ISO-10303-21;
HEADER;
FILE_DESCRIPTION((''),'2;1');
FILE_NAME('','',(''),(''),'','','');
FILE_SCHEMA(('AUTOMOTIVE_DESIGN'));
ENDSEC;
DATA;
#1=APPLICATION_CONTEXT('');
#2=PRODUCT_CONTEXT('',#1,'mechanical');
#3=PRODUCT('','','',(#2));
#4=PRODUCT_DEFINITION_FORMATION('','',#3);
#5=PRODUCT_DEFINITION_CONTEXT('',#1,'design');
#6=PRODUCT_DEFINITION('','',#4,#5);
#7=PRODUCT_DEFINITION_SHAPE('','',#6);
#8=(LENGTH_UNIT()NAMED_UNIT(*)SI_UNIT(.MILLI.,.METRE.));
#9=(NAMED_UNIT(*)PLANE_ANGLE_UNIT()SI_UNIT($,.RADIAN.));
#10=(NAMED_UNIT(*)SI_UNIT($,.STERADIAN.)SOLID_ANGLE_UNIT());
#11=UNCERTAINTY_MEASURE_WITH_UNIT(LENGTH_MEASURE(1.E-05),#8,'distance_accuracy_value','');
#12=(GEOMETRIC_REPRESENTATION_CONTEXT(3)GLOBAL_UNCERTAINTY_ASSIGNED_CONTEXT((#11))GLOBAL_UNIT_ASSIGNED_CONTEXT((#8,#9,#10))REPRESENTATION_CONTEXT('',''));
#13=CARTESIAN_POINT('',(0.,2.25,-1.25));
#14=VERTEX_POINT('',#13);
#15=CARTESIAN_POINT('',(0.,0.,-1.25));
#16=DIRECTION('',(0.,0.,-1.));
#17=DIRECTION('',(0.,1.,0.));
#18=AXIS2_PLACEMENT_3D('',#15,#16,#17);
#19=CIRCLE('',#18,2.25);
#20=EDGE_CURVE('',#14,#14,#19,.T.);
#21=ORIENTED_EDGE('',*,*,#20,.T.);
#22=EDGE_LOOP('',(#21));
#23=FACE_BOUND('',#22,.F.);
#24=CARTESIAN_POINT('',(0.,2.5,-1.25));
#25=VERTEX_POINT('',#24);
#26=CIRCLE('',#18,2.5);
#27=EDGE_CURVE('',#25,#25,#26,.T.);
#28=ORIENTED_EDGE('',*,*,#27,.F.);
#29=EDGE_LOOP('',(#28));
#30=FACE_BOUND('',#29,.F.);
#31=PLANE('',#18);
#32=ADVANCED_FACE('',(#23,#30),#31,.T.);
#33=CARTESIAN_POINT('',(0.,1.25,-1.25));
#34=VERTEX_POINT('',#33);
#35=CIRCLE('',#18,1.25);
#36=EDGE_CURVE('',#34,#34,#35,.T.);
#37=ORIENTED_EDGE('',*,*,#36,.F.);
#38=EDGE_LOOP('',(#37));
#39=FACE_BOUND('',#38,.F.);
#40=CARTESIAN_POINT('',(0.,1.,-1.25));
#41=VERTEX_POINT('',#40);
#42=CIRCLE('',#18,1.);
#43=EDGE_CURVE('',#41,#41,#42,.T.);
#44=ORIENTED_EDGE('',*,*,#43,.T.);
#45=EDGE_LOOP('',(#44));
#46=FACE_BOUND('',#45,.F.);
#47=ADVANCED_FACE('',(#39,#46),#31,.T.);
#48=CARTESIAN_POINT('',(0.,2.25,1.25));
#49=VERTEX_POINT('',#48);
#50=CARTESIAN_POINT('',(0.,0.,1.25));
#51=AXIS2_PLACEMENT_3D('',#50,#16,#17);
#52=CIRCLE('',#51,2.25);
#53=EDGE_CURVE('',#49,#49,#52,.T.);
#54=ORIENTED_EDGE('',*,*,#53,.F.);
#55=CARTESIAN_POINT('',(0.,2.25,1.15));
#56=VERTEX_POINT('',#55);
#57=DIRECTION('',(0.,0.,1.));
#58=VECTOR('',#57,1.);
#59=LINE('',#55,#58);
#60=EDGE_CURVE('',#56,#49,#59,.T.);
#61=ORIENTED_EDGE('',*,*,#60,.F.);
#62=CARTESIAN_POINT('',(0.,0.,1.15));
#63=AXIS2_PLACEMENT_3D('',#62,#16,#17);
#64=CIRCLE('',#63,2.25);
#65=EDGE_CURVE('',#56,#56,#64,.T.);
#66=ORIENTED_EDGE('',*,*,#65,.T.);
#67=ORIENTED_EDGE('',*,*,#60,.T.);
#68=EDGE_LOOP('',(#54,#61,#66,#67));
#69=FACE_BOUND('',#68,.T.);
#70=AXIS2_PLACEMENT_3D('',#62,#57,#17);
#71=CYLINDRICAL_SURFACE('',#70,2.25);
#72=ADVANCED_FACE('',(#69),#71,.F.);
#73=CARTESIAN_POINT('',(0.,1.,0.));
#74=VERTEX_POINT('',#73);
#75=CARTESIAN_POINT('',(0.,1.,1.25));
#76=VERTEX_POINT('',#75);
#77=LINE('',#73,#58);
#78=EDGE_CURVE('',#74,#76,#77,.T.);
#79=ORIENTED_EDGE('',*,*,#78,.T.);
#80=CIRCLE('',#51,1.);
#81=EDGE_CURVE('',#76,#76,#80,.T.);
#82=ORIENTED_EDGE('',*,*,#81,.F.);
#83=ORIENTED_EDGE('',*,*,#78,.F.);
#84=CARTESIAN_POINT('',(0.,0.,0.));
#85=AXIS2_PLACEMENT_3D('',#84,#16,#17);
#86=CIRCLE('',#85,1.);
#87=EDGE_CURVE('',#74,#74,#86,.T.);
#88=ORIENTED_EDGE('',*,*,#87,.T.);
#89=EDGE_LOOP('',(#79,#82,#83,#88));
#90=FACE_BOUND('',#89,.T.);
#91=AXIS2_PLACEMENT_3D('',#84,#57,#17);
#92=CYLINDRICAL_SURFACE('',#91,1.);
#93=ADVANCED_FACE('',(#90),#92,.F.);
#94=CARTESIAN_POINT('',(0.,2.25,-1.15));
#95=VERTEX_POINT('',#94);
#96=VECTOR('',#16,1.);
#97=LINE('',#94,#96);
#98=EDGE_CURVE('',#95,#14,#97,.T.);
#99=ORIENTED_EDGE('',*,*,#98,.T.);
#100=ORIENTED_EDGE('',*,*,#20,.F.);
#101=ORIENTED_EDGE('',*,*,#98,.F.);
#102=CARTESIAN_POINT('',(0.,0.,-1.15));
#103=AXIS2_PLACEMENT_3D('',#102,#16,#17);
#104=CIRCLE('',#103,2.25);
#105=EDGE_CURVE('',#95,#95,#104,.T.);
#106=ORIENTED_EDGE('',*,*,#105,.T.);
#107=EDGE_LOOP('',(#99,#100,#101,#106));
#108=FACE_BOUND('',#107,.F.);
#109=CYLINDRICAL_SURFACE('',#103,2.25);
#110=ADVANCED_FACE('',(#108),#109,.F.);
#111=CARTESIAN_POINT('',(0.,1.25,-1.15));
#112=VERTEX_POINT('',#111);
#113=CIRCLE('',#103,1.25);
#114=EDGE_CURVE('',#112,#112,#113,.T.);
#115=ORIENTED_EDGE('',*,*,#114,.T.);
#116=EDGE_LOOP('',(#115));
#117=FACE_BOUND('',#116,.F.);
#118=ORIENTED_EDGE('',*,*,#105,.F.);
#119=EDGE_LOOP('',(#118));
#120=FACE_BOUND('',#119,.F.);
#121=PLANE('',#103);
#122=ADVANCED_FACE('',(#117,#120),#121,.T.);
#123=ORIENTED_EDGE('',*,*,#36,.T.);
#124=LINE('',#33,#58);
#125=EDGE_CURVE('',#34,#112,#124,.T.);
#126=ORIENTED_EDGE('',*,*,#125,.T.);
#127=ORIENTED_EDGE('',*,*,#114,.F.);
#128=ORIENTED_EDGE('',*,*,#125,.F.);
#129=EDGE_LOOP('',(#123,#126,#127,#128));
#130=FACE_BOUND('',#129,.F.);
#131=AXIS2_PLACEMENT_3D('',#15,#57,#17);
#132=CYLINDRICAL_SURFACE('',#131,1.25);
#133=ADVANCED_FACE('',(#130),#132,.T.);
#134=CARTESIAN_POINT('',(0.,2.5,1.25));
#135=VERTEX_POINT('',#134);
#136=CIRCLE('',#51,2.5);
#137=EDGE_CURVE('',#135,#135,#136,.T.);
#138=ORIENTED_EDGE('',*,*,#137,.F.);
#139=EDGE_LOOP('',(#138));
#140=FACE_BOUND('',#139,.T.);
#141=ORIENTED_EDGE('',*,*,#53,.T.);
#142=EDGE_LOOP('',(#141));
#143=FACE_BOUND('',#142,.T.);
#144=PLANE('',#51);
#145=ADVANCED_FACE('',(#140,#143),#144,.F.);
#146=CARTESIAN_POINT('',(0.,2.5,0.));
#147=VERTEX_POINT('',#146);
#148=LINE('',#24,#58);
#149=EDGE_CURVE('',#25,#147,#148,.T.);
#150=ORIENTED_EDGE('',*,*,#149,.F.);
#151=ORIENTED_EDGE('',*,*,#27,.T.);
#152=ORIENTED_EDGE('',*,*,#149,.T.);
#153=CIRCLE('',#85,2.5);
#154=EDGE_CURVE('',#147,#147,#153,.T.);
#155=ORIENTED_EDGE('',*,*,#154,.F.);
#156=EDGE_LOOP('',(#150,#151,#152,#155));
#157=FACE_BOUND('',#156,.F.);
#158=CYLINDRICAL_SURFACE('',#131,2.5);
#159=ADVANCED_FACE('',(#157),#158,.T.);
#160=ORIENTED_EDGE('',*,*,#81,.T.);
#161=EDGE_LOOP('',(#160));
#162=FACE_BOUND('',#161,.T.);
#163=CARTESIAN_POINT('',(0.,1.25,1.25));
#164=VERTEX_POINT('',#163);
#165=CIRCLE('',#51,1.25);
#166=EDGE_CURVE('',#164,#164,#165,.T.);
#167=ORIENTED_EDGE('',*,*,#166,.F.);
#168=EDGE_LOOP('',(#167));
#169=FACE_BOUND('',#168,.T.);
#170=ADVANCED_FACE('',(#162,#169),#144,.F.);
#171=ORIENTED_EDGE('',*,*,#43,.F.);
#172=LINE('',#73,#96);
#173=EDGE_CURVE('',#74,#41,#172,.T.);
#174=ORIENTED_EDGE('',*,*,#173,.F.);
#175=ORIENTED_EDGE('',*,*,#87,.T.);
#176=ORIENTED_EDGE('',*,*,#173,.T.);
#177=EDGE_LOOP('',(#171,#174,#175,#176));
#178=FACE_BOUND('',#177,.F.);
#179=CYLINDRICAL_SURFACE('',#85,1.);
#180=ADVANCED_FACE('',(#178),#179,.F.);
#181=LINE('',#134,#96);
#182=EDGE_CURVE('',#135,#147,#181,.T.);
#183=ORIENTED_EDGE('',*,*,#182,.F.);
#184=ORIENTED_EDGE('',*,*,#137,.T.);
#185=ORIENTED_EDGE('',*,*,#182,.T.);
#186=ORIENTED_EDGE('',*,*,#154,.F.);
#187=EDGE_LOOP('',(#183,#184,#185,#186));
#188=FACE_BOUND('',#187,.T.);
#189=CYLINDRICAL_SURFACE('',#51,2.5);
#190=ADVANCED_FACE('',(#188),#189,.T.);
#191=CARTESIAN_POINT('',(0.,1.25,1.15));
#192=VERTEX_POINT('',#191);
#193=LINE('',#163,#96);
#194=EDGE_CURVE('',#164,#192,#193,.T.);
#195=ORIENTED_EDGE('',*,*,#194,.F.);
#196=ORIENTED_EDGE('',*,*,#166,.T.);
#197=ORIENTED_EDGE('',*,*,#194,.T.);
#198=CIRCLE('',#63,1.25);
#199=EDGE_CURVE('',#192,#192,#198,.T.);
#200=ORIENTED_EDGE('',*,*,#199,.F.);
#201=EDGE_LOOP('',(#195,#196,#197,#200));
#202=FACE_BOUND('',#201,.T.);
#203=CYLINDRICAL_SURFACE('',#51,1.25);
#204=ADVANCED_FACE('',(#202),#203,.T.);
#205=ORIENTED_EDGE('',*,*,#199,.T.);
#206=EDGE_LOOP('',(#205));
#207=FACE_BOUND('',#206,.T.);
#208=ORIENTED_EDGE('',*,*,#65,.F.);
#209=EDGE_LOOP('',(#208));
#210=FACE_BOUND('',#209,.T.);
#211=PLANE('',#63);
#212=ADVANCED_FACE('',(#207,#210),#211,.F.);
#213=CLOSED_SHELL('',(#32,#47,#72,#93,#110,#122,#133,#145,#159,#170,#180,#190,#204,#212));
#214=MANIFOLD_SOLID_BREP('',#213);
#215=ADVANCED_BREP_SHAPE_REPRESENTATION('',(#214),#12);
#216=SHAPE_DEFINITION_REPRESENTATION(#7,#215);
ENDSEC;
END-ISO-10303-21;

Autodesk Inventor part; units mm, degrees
ref_plane "YZ Plane" through (0, 0, 0) normal (1, 0, 0) x (0, 1, 0)
ref_plane "XZ Plane" through (0, 0, 0) normal (0, 1, 0) x (-1, 0, 0)
ref_plane "XY Plane" through (0, 0, 0) normal (0, 0, 1) x (1, 0, 0)
sketch "Sketch1" plane through (0, 0, 0) normal (1, 0, 0) x (0, 1, 0)
  line L0 (0, 0) -> (0, -2.1848) construction
  line L1 (0, 0) -> (1, 0) construction
  line L2 (1, 0) -> (1, -1.25)
  line L3 (1, -1.25) -> (1.25, -1.25)
  line L4 (1.25, -1.25) -> (1.25, -1.15)
  line L5 (1.25, -1.15) -> (2.25, -1.15)
  line L6 (2.25, -1.15) -> (2.25, -1.25)
  line L7 (2.25, -1.25) -> (2.5, -1.25)
  line L8 (2.5, -1.25) -> (2.5, 0)
  line L9 (2.5, 0) -> (1, 0) construction
  line L10 (1, 0) -> (1, 1.25)
  line L11 (1, 1.25) -> (1.25, 1.25)
  line L12 (1.25, 1.25) -> (1.25, 1.15)
  line L13 (1.25, 1.15) -> (2.25, 1.15)
  line L14 (2.25, 1.15) -> (2.25, 1.25)
  line L15 (2.25, 1.25) -> (2.5, 1.25)
  line L16 (2.5, 1.25) -> (2.5, 0)
  dimension "d0" = 1
  dimension "d1" = 2.5
  dimension "d2" = 0.1
  dimension "d3" = 1
  dimension "d6" = 2.5
revolve "Revolution1" add sketch "Sketch1" angle 360 about axis through (0, 0, 0) along (0, 0, -1)
properties part number "MR52 Bearing"
